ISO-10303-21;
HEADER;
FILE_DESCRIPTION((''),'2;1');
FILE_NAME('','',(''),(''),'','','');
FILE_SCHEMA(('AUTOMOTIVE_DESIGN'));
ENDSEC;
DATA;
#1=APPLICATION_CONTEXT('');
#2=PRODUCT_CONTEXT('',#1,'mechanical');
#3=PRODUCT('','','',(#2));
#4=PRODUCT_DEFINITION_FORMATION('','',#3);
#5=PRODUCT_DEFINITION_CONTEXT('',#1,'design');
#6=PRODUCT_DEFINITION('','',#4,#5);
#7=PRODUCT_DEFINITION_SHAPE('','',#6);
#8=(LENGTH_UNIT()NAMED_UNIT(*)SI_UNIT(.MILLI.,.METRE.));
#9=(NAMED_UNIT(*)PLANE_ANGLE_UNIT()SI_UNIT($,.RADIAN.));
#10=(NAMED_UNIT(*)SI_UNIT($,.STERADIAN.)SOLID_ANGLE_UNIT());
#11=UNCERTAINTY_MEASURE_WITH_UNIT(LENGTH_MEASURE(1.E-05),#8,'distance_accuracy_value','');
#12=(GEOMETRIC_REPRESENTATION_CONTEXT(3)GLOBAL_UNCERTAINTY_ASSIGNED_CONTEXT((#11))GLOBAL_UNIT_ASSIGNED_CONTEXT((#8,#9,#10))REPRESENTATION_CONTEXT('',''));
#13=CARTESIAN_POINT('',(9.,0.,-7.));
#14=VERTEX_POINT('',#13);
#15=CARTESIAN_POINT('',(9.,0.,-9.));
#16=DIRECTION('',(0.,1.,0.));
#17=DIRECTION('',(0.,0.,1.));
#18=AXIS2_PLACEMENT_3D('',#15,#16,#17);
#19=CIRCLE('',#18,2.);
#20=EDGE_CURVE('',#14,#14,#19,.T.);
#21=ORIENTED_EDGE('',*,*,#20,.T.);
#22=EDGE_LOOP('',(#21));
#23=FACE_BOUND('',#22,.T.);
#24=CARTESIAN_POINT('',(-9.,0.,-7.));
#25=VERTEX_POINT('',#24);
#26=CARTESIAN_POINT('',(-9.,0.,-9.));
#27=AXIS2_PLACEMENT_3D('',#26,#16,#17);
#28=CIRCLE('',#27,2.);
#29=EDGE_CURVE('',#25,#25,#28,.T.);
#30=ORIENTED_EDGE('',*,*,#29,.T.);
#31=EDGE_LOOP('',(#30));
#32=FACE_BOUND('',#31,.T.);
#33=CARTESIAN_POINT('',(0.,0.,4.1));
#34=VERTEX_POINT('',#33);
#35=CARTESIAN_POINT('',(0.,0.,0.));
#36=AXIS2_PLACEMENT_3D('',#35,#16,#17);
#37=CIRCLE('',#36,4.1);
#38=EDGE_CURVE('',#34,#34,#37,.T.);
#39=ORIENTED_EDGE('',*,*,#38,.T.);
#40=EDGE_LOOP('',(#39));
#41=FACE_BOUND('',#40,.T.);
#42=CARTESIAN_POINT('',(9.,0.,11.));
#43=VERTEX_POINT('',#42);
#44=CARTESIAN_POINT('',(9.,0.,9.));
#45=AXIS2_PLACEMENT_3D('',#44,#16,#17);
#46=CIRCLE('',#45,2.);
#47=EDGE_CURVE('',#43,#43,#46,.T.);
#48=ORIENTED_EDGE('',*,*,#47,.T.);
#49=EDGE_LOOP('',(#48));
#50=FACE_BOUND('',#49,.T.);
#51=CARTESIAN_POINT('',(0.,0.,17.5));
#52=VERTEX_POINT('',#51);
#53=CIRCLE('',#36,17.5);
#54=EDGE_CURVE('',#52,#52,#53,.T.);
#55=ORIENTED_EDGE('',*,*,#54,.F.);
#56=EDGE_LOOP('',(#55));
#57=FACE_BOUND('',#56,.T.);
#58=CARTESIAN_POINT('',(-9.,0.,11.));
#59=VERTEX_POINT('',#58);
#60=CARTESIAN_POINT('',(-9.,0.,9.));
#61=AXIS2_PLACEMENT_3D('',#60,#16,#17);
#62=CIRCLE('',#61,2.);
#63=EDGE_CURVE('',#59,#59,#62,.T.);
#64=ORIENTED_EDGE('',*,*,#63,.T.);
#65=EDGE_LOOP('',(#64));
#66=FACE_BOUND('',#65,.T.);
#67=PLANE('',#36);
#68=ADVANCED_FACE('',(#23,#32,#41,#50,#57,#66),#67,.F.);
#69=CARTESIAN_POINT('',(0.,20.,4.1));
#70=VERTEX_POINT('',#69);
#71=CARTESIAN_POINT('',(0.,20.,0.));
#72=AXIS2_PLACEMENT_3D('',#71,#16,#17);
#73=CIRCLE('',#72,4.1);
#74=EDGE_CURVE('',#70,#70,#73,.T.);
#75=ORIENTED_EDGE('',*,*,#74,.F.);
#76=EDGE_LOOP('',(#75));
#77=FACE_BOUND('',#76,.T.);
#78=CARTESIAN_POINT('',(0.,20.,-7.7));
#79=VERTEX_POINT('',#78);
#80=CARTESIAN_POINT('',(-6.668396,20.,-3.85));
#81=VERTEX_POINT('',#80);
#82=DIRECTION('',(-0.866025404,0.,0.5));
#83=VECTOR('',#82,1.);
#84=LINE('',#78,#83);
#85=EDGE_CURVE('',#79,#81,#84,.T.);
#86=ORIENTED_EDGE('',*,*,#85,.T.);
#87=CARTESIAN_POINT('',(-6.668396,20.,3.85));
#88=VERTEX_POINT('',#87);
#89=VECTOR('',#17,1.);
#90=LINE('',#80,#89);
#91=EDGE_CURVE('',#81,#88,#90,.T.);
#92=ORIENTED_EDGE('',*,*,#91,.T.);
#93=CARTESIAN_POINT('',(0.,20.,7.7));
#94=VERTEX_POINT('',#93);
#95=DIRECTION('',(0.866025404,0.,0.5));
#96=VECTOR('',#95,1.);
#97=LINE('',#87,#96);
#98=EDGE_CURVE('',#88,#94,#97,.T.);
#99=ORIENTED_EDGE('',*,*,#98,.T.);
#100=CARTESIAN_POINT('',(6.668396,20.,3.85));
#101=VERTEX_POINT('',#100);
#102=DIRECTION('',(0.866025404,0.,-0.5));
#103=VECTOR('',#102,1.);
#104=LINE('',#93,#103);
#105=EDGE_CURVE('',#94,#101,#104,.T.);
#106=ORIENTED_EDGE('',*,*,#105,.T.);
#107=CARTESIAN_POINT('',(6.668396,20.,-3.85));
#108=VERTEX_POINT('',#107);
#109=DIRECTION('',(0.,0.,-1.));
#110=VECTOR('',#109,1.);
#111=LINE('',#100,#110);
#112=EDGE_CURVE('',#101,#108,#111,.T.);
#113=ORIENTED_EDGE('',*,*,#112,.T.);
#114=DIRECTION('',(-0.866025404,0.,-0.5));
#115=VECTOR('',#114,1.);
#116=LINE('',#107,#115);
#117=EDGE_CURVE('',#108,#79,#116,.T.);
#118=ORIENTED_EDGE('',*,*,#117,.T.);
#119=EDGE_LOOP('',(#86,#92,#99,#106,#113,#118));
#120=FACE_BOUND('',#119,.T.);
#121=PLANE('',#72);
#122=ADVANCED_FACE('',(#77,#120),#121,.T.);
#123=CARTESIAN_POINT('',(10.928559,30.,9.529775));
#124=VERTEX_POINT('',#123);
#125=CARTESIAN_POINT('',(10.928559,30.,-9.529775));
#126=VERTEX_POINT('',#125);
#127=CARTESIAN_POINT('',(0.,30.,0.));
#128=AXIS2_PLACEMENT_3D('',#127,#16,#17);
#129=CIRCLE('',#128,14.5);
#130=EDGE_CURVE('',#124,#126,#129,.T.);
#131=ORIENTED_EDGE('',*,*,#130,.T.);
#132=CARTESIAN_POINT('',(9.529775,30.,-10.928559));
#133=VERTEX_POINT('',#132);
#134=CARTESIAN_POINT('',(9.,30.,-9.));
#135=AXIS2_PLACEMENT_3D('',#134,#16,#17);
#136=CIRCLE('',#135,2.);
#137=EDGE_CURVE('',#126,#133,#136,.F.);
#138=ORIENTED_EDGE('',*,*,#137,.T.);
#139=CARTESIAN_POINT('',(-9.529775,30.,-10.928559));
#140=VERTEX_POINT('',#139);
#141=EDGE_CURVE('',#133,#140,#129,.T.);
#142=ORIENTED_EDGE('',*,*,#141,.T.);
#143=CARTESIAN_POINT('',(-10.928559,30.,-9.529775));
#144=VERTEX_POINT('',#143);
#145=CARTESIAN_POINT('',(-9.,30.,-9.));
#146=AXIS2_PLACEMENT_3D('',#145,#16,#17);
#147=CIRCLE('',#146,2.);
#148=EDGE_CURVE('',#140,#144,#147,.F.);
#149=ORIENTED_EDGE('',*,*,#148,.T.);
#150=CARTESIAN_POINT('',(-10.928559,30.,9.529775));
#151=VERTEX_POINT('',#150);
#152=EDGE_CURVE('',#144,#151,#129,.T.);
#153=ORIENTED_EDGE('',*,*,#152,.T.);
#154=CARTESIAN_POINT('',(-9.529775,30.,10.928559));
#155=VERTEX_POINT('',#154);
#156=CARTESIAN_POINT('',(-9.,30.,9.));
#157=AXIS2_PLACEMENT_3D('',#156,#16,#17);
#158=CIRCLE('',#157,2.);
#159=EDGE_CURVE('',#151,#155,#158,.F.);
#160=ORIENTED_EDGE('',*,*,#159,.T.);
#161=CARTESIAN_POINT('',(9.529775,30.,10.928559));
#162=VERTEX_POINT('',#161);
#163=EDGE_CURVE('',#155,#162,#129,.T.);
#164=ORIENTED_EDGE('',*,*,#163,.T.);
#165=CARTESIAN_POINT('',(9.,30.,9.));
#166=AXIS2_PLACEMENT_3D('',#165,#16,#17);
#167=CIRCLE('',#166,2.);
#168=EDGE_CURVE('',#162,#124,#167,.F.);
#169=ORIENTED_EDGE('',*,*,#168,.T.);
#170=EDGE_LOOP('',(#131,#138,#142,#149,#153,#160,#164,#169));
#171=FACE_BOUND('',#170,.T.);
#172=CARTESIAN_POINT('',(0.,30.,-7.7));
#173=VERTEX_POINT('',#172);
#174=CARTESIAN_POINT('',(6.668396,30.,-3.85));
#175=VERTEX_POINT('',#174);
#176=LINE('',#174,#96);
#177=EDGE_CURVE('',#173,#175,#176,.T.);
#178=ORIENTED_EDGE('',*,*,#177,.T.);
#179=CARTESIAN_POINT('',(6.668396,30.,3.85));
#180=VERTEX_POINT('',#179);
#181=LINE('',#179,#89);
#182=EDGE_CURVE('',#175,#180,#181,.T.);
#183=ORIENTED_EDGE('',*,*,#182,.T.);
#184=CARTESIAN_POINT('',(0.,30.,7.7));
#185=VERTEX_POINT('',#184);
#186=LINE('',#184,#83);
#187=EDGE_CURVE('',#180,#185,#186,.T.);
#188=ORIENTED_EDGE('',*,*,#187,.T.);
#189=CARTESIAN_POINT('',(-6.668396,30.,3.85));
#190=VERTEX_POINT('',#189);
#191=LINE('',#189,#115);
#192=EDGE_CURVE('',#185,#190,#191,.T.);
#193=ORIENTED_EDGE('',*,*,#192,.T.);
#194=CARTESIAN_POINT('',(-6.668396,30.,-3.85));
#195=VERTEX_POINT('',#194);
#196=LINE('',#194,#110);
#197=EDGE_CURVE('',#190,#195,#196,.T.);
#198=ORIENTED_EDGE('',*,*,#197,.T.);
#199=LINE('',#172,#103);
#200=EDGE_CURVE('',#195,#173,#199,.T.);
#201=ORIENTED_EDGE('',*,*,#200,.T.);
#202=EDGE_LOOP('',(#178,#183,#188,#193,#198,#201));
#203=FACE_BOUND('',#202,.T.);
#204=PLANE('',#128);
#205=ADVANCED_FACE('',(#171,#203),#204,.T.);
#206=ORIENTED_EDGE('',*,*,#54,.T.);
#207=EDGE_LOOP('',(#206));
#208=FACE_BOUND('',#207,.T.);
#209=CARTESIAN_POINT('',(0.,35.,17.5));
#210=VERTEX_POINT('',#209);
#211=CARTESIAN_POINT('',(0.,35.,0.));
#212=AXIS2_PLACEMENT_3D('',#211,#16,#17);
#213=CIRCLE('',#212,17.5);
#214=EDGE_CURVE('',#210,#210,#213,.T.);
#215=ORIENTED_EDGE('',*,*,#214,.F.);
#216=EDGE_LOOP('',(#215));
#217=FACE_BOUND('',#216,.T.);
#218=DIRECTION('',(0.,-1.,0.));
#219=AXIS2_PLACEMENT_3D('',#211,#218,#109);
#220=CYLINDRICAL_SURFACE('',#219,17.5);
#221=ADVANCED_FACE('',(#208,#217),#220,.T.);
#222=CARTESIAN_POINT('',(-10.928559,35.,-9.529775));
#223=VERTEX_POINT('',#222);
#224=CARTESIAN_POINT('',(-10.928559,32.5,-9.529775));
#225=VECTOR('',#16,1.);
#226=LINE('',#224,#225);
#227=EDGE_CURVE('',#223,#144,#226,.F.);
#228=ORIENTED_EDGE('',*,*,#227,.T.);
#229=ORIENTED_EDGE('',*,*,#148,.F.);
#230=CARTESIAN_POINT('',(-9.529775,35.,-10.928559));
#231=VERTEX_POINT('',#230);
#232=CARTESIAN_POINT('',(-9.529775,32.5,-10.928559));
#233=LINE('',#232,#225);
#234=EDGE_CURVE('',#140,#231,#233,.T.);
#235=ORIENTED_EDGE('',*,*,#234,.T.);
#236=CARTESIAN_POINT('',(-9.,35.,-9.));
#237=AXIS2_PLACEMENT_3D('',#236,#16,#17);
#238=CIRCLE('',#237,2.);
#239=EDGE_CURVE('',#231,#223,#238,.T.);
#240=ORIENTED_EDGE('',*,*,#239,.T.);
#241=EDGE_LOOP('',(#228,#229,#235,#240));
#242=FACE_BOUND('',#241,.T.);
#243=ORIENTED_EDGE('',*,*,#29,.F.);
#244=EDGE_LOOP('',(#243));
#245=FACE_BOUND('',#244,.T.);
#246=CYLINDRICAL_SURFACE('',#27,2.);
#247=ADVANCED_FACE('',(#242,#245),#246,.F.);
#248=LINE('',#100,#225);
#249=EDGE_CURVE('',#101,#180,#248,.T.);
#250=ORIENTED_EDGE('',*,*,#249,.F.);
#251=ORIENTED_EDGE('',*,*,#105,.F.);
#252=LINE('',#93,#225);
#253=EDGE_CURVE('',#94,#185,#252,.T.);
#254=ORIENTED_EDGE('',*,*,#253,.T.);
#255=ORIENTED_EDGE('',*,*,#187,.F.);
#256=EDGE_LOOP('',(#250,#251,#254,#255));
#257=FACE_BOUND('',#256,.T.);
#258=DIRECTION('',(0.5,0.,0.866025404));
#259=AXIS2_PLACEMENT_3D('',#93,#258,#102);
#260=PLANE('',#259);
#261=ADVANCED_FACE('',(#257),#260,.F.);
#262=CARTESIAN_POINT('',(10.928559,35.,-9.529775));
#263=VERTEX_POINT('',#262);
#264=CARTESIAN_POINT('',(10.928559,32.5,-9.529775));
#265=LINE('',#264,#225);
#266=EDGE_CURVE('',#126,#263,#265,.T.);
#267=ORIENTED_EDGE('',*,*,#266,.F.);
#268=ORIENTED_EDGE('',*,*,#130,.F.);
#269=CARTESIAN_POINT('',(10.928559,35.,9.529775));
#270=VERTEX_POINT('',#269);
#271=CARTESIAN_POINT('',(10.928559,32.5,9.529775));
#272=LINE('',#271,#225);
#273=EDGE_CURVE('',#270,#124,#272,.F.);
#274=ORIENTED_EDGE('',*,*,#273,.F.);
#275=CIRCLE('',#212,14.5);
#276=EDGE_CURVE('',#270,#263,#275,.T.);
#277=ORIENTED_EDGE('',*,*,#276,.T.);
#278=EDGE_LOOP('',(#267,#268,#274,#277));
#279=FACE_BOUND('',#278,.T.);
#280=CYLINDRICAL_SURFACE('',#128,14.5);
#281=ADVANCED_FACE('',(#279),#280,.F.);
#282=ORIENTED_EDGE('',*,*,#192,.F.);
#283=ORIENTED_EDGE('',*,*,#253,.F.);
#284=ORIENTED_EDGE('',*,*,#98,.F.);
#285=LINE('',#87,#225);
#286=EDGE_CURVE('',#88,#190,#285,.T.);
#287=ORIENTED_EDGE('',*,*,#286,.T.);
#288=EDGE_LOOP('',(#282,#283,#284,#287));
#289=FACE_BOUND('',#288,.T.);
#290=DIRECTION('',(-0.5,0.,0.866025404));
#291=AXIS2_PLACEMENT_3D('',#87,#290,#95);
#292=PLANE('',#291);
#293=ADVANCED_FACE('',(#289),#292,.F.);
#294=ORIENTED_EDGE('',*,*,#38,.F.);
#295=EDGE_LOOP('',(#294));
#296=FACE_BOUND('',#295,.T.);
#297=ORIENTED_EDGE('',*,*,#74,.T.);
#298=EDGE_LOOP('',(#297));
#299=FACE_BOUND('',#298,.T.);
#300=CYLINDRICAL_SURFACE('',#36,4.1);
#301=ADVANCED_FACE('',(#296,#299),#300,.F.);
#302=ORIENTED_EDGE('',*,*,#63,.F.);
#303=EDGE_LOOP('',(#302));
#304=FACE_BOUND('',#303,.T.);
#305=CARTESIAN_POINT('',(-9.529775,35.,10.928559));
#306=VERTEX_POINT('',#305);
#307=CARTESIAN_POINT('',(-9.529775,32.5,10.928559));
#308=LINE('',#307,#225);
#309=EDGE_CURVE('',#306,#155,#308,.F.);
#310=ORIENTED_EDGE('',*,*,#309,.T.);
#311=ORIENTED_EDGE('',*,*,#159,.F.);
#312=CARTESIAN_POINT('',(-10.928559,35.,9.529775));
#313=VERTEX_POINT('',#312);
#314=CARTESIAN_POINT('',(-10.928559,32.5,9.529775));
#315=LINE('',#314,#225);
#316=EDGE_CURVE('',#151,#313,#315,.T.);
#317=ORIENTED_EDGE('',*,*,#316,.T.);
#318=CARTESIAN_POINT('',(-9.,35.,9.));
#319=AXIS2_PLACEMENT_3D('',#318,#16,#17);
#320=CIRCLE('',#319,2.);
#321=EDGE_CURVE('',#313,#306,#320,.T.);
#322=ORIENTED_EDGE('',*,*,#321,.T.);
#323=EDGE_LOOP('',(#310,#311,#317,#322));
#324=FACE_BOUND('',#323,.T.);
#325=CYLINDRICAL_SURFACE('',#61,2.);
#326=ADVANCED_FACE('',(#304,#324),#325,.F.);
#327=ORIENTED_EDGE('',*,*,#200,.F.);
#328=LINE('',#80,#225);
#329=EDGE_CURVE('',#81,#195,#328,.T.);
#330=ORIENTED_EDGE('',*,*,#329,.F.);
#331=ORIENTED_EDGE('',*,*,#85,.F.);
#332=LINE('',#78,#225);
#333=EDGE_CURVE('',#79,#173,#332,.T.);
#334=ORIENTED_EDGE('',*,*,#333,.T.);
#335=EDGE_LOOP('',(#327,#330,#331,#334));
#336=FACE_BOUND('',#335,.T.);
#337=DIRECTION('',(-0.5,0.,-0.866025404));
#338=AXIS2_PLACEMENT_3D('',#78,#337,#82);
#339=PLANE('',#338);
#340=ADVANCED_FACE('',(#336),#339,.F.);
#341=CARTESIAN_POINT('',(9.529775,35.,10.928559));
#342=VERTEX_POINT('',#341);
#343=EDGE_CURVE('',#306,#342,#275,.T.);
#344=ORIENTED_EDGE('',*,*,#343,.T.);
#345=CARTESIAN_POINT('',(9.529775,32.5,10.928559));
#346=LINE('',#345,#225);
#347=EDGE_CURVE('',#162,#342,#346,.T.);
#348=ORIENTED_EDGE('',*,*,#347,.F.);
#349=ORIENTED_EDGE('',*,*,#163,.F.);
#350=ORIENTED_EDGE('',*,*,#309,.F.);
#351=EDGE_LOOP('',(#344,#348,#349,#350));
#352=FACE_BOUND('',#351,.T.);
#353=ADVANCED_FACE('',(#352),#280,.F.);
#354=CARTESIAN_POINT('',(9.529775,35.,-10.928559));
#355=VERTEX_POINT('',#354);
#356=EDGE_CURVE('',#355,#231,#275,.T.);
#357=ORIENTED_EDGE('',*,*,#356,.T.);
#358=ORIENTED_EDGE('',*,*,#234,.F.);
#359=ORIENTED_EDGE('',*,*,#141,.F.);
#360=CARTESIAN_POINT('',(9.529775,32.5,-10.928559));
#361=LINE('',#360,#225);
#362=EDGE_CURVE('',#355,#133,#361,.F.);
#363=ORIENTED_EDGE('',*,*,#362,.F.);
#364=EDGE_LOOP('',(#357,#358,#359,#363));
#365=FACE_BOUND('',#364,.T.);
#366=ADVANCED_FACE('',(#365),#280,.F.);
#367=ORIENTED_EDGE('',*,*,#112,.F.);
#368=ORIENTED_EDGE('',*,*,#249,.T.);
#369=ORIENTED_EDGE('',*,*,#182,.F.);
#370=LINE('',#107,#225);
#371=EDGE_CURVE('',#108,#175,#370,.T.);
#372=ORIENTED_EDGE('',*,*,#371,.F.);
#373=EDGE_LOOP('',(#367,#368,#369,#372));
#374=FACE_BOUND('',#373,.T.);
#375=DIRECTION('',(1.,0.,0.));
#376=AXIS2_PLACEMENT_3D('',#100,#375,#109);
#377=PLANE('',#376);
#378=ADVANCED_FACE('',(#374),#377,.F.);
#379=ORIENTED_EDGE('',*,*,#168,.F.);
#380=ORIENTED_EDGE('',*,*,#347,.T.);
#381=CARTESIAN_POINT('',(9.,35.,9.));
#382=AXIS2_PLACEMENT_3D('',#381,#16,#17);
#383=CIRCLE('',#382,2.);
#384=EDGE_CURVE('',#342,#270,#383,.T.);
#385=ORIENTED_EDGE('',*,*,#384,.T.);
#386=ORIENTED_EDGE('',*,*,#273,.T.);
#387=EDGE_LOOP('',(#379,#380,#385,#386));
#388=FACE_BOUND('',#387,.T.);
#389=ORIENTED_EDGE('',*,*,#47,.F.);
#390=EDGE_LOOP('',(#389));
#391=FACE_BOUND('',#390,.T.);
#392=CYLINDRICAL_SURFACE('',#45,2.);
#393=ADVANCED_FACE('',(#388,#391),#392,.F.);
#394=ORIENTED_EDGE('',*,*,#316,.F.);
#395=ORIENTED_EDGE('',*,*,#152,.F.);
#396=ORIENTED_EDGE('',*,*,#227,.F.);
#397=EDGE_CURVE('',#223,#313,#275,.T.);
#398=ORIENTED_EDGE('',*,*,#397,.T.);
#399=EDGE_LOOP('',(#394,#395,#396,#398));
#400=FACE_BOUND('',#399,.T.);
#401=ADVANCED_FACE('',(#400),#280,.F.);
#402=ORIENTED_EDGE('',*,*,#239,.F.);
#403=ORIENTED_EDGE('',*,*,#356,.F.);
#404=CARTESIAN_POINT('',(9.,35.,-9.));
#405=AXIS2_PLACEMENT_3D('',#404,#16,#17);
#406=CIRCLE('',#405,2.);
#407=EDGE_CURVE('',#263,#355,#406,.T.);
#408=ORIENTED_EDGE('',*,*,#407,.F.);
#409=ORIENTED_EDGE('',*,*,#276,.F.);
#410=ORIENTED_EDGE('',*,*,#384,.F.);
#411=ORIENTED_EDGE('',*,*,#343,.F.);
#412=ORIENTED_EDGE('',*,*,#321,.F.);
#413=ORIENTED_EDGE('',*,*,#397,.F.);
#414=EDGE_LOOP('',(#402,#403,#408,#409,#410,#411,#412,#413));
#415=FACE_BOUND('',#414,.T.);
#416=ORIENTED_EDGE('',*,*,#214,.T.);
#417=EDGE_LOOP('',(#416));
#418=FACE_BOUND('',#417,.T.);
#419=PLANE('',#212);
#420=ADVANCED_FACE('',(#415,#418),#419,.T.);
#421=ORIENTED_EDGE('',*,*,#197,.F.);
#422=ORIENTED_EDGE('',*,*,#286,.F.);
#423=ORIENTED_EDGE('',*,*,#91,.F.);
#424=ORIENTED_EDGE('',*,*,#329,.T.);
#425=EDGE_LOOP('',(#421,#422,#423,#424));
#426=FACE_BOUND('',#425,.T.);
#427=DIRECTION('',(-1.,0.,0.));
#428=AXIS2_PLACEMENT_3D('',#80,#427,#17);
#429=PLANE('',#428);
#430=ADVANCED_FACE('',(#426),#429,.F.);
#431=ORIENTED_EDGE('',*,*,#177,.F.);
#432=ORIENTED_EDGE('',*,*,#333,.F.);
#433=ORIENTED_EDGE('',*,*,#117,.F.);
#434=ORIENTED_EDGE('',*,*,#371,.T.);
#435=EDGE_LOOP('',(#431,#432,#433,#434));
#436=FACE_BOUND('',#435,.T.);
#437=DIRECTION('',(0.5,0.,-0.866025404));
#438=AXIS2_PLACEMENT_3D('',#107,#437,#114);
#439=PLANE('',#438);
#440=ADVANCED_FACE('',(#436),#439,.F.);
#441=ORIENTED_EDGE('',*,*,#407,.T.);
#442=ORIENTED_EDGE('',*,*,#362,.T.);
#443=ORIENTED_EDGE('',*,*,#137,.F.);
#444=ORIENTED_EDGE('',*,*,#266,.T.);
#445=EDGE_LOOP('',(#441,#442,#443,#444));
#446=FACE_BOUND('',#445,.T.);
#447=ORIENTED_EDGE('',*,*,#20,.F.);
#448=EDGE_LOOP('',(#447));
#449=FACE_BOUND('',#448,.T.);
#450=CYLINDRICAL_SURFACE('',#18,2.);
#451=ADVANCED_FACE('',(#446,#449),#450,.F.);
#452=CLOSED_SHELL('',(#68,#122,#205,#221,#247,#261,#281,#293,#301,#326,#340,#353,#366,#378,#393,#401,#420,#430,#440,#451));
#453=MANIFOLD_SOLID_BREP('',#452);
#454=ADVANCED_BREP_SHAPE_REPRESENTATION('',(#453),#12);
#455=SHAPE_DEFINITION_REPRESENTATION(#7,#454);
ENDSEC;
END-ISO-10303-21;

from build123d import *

# Parameters (mm, degrees)
SKETCH1_R           = 17.5
BOSS_EXTRUDE1_DEPTH = 35
CUT_EXTRUDE1_DEPTH  = 15
SKETCH3_R           = 4.1
CUT_EXTRUDE2_DEPTH  = 32.819805153
SKETCH4_R           = 2
CUT_EXTRUDE3_DEPTH  = 43.866070499
SKETCH5_R           = 14.5
CUT_EXTRUDE4_DEPTH  = 5


with BuildPart() as part:
    # Sketch1 → Boss-Extrude1 (new body)
    with BuildSketch(Plane(origin=(0, 0, 0), x_dir=(1, 0, 0), z_dir=(0, 1, 0))):
        with Locations(Location((0, 0, 0), (0, 0, 270))):
            Circle(SKETCH1_R)
    extrude(amount=BOSS_EXTRUDE1_DEPTH)

    # Sketch2 → Cut-Extrude1 (cut)
    with BuildSketch(Plane(origin=(0, 35, 0), x_dir=(1, 0, 0), z_dir=(0, 1, 0))):
        Polygon((0, 7.7), (-6.668395609, 3.85), (-6.668395609, -3.85), (0, -7.7), (6.668395609, -3.85), (6.668395609, 3.85), align=None)
    extrude(amount=-CUT_EXTRUDE1_DEPTH, mode=Mode.SUBTRACT)

    # Sketch3 → Cut-Extrude2 (cut, through all)
    with BuildSketch(Plane(origin=(0, 20, 0), x_dir=(1, 0, 0), z_dir=(0, 1, 0))):
        with Locations(Location((0, 0, 0), (0, 0, 270))):
            Circle(SKETCH3_R)
    extrude(amount=-CUT_EXTRUDE2_DEPTH, mode=Mode.SUBTRACT)

    # Sketch4 → Cut-Extrude3 (cut, through all)
    with BuildSketch(Plane(origin=(0, 35, 0), x_dir=(1, 0, 0), z_dir=(0, 1, 0))):
        with Locations(Location((-9, 9, 0), (0, 0, 270))):
            Circle(SKETCH4_R)
        with Locations(Location((9, 9, 0), (0, 0, 270))):
            Circle(SKETCH4_R)
        with Locations(Location((9, -9, 0), (0, 0, 270))):
            Circle(SKETCH4_R)
        with Locations(Location((-9, -9, 0), (0, 0, 270))):
            Circle(SKETCH4_R)
    extrude(amount=-CUT_EXTRUDE3_DEPTH, mode=Mode.SUBTRACT)

    # Sketch5 → Cut-Extrude4 (cut)
    with BuildSketch(Plane(origin=(0, 35, 0), x_dir=(1, 0, 0), z_dir=(0, 1, 0))):
        Circle(SKETCH5_R)
    extrude(amount=-CUT_EXTRUDE4_DEPTH, mode=Mode.SUBTRACT)


solid = part.part
